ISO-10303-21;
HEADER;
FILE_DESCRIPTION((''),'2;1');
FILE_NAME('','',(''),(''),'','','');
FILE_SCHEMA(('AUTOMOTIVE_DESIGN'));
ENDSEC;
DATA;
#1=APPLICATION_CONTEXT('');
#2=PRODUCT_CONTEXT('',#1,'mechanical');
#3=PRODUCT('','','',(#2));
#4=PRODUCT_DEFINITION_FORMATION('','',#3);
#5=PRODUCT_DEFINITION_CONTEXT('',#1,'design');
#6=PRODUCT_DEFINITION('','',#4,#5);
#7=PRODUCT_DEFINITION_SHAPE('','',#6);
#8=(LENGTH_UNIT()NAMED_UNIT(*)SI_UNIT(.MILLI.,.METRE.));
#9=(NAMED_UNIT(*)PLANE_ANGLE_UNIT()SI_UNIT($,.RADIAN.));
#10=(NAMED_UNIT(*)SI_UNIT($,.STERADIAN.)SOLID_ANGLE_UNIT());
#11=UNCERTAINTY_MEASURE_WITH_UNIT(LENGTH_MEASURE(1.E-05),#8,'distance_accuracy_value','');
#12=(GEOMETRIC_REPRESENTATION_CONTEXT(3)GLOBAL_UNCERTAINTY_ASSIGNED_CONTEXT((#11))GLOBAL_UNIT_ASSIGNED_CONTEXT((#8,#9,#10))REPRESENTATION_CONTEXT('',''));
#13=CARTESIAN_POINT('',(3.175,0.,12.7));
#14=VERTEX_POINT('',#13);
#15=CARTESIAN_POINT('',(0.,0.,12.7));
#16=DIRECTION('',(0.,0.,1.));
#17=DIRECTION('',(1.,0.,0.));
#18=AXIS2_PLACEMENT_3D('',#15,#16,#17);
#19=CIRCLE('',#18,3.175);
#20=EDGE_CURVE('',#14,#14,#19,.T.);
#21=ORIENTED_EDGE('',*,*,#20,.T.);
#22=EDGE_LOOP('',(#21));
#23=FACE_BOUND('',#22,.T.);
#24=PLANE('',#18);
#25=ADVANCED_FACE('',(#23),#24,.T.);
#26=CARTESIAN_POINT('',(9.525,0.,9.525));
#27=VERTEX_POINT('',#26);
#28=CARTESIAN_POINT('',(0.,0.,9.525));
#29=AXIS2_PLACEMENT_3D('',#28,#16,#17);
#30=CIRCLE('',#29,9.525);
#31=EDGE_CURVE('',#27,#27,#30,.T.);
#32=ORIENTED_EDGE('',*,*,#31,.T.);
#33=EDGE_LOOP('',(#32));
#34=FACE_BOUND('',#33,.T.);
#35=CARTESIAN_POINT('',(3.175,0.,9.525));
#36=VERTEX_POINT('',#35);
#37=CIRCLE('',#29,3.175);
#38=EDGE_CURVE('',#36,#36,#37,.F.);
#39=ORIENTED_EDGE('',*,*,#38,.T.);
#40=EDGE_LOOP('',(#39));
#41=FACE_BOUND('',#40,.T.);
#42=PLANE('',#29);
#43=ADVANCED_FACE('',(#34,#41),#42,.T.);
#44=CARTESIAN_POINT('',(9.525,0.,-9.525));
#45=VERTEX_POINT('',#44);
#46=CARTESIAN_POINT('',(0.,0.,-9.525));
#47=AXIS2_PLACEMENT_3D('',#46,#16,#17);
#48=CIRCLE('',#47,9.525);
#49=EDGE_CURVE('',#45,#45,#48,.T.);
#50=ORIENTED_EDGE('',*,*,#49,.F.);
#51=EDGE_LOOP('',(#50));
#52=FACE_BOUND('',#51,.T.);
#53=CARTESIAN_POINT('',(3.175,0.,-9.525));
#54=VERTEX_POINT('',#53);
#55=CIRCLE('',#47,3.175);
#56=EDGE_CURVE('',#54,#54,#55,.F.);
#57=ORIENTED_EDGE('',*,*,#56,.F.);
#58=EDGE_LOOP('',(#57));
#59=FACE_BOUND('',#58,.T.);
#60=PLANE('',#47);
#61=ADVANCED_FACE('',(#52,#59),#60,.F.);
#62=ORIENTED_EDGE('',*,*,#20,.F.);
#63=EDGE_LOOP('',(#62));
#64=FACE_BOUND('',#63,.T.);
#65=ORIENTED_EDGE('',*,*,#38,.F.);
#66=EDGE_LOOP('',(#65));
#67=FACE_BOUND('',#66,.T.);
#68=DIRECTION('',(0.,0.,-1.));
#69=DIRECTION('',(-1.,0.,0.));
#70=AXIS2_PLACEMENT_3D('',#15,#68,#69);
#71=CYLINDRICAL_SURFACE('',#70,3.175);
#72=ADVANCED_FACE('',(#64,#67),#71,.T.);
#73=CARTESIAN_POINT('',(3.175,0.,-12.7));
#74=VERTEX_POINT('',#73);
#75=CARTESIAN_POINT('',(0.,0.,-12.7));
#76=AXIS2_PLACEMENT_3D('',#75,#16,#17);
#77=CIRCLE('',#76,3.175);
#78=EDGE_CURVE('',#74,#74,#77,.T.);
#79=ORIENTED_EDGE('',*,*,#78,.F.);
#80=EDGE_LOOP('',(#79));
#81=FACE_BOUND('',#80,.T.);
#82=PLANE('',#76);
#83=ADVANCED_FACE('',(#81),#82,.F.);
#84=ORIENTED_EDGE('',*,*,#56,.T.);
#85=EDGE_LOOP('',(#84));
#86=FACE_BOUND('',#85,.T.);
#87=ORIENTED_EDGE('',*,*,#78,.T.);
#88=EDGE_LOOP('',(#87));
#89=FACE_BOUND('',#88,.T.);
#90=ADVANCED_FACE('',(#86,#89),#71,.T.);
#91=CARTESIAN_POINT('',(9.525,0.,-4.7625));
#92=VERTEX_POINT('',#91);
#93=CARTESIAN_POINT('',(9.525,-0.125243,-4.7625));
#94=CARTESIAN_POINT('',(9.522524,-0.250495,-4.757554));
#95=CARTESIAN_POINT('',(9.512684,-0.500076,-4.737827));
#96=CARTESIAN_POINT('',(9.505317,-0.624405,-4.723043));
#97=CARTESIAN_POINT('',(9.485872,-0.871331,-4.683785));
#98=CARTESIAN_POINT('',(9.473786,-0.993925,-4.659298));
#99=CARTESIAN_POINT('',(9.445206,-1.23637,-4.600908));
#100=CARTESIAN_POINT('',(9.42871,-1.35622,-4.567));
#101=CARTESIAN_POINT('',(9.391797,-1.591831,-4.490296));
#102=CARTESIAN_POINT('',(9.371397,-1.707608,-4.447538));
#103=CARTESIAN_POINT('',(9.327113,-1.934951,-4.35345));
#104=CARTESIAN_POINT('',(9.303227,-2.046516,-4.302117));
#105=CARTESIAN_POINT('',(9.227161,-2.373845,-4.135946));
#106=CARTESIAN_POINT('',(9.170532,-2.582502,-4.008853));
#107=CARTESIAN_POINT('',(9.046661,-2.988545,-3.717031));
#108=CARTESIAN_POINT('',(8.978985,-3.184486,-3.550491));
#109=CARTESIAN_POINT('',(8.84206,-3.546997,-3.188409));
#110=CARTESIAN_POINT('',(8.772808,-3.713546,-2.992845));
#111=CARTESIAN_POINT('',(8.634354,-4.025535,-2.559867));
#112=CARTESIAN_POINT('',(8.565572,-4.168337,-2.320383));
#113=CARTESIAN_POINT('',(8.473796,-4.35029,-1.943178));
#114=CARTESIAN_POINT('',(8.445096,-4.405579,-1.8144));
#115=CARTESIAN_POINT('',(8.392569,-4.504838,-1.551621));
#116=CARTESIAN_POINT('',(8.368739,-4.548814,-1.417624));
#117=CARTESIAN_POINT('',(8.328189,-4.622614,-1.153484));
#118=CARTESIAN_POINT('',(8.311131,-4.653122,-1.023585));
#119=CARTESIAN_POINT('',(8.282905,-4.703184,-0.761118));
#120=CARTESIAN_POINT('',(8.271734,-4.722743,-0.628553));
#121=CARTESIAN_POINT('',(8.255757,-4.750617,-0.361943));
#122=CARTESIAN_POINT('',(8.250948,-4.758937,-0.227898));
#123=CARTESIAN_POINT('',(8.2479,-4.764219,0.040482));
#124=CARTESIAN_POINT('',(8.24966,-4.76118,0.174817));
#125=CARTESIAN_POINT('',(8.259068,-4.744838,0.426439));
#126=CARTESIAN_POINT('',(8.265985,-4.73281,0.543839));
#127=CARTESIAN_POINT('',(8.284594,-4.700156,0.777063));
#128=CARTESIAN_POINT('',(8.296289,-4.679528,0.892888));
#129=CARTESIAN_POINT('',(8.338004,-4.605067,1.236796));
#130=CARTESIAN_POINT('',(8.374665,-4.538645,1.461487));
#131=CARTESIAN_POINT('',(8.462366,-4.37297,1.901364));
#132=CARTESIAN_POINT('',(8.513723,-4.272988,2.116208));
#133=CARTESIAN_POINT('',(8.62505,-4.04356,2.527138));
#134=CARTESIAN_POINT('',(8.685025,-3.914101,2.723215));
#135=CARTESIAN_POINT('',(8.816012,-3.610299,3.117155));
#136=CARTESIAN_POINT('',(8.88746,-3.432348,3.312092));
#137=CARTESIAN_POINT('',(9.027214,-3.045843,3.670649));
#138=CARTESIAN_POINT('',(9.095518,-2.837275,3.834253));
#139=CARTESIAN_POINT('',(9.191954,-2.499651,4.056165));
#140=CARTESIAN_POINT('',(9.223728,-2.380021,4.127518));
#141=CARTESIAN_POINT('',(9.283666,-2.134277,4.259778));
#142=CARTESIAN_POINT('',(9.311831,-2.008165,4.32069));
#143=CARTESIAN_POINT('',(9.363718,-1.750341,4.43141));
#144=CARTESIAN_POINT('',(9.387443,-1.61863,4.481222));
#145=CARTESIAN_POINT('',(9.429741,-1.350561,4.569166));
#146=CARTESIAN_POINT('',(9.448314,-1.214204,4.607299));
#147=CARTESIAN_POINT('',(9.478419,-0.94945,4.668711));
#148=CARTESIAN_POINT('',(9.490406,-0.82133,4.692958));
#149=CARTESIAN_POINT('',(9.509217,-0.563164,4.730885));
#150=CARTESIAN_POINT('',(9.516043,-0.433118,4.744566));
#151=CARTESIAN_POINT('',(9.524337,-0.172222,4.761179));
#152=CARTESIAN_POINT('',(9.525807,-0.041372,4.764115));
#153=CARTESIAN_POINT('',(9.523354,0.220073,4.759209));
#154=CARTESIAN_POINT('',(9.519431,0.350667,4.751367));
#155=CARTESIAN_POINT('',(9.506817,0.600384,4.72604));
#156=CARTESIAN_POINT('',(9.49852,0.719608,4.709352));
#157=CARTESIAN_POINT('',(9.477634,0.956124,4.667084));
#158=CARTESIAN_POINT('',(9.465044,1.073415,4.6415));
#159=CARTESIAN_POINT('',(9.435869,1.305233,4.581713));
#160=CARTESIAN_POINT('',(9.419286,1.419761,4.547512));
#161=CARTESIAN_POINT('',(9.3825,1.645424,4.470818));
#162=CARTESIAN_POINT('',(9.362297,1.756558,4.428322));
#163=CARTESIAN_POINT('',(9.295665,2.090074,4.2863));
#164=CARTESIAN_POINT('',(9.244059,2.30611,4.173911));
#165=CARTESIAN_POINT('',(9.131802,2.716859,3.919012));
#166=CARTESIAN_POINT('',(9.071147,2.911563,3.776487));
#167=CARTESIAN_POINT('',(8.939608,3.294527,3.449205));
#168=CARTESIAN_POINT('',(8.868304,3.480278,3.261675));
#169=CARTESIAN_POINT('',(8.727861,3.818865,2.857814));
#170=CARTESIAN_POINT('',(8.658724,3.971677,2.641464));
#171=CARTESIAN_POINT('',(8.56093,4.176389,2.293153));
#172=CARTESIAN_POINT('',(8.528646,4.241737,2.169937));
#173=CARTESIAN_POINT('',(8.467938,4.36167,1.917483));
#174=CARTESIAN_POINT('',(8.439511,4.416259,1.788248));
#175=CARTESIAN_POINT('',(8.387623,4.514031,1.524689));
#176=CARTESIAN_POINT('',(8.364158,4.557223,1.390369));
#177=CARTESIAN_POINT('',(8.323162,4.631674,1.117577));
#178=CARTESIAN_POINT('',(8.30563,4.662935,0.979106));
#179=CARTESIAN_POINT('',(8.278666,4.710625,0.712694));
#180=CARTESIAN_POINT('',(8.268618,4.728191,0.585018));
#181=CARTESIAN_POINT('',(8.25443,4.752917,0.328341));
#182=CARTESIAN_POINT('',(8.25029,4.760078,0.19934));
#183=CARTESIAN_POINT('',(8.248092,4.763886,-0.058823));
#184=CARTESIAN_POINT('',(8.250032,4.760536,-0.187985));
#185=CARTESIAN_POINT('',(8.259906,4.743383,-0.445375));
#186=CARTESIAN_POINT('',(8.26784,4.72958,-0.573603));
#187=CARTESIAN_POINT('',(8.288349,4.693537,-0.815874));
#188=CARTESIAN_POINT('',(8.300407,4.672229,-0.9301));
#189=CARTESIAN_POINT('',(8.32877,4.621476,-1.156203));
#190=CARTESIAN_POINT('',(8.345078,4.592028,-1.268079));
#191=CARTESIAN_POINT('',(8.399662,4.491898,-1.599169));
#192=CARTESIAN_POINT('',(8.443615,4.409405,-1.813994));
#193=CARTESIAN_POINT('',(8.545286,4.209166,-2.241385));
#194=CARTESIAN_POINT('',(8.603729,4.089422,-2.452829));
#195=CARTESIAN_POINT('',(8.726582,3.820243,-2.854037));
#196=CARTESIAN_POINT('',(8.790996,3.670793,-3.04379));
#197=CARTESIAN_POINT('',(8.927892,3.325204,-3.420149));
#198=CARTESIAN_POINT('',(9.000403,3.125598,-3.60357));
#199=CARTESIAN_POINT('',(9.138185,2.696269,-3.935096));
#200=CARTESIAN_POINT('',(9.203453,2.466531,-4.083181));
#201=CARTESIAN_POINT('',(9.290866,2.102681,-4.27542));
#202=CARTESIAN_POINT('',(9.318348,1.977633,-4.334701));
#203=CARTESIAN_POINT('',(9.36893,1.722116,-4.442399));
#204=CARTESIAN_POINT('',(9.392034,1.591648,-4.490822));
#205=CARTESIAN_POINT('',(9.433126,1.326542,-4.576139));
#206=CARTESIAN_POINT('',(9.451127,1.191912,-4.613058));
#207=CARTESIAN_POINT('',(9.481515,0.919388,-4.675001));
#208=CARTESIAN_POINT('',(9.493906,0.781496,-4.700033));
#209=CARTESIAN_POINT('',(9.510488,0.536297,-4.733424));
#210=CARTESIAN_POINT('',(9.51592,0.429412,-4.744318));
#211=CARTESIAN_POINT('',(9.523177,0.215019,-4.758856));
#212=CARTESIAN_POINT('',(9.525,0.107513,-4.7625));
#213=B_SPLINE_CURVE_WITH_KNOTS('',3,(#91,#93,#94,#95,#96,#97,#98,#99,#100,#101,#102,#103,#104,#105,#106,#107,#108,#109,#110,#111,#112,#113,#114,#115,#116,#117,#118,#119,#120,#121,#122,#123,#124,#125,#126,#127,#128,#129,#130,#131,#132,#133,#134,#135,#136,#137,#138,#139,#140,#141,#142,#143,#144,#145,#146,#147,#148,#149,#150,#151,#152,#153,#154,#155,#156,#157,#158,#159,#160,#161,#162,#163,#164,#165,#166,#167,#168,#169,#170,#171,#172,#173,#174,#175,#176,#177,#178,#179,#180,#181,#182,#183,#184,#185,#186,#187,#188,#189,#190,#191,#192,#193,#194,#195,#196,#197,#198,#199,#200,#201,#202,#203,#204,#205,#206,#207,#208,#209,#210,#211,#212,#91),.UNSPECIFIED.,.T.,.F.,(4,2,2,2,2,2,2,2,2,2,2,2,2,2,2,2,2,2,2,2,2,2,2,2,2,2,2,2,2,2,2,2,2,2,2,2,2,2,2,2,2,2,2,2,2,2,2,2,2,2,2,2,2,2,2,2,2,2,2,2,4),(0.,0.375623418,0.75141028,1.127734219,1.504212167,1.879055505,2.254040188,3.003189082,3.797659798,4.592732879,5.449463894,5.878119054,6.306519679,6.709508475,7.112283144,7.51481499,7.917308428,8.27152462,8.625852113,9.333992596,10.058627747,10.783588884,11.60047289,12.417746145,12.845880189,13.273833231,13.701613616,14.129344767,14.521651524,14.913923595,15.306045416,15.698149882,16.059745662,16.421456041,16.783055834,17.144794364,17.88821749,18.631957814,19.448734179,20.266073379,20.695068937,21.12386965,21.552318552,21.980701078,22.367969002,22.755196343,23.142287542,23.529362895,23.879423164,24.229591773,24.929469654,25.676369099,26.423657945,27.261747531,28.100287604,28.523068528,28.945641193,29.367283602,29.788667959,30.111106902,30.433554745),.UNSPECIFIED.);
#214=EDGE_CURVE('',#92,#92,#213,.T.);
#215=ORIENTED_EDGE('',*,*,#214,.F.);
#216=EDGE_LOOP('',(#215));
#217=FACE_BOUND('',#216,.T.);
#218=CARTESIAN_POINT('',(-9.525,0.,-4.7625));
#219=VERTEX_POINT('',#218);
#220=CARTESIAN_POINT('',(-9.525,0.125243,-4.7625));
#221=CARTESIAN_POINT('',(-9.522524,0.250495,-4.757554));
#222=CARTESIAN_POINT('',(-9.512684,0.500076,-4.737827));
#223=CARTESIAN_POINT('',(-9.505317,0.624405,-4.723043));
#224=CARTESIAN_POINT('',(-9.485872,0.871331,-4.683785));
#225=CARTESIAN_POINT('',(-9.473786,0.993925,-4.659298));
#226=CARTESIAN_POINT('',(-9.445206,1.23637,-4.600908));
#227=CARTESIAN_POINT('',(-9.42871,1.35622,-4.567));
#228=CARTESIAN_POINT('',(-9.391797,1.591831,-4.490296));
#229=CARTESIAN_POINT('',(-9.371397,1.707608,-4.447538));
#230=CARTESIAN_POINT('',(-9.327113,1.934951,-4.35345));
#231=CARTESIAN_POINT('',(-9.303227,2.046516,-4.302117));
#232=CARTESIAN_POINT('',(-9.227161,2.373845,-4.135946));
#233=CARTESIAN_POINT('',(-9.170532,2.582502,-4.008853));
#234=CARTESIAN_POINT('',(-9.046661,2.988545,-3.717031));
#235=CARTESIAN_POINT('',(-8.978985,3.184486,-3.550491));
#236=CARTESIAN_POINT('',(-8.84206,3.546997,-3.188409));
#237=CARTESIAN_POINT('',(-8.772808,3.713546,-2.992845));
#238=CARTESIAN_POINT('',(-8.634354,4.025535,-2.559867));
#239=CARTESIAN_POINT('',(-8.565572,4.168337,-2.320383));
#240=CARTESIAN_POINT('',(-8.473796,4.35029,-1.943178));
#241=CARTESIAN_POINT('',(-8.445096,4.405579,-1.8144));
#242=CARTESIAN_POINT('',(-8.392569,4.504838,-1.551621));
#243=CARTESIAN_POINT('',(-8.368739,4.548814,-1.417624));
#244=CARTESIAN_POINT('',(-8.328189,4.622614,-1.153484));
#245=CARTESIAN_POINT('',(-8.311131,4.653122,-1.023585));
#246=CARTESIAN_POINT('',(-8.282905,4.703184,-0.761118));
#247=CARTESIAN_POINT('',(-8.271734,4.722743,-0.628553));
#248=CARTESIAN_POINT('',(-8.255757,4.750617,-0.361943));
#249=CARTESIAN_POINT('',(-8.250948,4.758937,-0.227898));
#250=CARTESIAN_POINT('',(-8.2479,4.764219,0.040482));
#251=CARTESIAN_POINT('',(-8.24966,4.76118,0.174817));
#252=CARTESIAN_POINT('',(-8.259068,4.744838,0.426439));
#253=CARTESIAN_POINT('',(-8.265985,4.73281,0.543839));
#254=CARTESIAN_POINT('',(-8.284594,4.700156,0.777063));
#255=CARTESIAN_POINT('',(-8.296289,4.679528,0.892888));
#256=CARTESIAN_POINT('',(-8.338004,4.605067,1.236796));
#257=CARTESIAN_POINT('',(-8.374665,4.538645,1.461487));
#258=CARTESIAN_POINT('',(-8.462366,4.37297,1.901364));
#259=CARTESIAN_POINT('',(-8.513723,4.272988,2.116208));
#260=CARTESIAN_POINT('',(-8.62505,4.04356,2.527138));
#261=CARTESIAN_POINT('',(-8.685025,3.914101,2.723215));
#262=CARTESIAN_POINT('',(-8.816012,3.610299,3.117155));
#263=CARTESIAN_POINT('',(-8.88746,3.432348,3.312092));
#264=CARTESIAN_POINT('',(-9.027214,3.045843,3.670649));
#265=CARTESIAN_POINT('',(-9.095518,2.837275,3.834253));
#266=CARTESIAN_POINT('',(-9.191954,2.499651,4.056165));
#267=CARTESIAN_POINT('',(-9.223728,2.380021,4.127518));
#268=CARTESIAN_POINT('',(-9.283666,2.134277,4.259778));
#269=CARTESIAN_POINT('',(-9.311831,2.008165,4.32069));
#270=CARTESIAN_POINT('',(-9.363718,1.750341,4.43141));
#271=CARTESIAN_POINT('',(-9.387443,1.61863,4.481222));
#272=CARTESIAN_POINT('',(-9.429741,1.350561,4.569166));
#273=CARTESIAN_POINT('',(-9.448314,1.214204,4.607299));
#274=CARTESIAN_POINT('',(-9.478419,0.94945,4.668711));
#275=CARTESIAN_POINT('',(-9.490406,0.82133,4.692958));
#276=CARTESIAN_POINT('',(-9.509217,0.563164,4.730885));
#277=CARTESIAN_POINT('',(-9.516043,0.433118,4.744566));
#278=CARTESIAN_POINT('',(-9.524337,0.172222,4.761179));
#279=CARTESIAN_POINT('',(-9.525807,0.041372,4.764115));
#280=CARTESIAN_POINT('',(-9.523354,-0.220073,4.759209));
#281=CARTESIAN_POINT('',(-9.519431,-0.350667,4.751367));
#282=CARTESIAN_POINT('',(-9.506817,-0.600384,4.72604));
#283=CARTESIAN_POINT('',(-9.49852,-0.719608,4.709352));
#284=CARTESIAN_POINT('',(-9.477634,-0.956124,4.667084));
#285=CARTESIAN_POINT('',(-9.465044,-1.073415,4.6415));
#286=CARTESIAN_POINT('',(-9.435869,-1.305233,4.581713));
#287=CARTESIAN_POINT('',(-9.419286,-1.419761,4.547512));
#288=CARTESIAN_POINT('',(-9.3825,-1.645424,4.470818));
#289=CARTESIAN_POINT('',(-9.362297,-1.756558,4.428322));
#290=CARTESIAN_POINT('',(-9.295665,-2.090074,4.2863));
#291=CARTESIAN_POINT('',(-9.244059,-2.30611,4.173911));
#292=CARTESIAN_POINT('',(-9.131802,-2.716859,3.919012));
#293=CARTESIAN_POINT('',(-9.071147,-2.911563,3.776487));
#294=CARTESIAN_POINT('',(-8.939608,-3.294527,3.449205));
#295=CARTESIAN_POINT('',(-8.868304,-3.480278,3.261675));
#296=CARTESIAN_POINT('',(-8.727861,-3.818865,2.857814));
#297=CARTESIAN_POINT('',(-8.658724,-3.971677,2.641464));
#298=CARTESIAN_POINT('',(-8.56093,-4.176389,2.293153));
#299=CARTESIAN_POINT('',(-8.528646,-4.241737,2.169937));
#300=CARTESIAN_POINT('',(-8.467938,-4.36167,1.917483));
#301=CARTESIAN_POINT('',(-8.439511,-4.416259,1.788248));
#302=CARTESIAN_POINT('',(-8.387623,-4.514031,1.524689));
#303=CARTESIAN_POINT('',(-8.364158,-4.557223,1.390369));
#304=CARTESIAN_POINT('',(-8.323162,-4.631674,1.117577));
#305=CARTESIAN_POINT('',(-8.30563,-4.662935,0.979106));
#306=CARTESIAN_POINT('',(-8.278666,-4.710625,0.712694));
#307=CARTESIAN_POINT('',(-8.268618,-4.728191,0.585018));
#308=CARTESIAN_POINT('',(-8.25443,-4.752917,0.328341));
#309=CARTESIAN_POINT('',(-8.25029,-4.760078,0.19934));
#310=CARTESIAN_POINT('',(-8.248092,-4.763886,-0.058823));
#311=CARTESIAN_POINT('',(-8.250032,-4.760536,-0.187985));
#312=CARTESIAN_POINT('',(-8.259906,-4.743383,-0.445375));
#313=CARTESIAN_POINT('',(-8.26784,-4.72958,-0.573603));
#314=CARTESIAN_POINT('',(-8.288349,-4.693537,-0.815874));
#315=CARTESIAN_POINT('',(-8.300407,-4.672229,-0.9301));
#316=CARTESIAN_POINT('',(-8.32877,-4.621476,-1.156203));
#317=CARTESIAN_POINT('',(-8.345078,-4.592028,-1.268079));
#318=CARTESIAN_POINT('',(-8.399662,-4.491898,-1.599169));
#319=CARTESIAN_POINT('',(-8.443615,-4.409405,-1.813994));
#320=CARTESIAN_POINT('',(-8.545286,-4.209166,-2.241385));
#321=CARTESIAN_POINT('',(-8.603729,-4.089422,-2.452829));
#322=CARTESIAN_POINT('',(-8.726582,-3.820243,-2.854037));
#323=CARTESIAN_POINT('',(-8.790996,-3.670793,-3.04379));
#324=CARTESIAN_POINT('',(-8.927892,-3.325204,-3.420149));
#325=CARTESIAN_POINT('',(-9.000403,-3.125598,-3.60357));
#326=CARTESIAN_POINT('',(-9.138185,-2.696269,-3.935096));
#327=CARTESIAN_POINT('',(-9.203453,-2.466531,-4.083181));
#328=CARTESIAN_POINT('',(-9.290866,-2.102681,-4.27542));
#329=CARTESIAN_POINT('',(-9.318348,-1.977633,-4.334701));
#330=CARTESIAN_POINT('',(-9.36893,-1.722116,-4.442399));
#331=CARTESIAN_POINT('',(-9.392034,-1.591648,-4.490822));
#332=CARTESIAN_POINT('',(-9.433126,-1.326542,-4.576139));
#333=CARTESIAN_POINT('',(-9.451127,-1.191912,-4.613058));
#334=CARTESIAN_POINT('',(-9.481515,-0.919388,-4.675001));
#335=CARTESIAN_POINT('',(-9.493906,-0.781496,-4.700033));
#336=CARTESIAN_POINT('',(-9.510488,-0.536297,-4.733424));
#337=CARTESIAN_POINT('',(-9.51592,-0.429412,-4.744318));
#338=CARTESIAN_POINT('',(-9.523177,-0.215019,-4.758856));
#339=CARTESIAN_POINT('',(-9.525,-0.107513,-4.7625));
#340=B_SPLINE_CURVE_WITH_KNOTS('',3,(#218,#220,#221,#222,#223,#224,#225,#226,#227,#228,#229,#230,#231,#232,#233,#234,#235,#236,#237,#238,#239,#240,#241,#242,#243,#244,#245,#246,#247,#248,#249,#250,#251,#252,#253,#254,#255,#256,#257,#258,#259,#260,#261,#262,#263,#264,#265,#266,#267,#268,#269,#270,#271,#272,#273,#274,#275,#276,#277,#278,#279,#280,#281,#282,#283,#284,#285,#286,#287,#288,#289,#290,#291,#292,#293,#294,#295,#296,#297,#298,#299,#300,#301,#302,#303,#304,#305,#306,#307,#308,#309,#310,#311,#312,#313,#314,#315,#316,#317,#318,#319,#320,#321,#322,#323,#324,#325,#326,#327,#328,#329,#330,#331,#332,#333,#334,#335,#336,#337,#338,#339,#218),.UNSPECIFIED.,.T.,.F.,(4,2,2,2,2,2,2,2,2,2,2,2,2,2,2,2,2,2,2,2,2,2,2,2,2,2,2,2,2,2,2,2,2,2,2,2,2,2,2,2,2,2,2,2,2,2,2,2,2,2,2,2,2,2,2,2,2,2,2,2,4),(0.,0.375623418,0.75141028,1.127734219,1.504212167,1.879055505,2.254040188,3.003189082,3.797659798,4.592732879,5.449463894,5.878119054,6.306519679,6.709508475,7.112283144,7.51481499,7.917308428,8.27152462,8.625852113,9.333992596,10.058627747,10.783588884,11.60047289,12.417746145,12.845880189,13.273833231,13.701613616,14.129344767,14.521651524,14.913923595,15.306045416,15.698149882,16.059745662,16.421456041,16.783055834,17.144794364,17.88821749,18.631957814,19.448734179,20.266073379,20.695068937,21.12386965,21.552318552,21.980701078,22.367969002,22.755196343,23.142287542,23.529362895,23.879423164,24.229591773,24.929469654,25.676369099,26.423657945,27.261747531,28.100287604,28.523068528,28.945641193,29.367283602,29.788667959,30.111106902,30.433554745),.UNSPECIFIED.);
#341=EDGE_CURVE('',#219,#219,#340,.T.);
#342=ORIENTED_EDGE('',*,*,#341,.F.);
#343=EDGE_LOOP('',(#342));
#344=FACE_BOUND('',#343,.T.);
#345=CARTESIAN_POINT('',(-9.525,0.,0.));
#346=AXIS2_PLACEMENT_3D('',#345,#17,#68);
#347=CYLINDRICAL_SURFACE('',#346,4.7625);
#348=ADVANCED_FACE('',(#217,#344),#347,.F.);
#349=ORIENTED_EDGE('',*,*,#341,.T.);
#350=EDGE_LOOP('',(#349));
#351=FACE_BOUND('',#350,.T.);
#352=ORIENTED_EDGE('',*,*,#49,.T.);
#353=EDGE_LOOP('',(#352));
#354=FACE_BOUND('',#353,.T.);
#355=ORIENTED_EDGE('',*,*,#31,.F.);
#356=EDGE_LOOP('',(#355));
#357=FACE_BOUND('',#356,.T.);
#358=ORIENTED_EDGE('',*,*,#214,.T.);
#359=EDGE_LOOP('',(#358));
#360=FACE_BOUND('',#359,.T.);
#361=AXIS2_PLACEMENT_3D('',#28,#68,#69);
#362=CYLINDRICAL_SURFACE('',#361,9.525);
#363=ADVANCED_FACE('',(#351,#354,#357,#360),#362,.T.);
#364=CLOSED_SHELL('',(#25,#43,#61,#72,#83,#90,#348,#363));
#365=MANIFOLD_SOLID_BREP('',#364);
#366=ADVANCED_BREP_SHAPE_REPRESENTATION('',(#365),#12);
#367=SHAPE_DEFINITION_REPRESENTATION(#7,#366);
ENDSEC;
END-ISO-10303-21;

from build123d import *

# Parameters (mm, degrees)
SKETCH1_R               = 9.525
BOSS_EXTRUDE1_DEPTH     = 9.525
SKETCH2_R               = 3.175
BOSS_EXTRUDE2_DEPTH     = 12.7
SKETCH3_R               = 4.7625
CUT_EXTRUDE1_DEPTH      = 10.525
CUT_EXTRUDE1_DEPTH_BACK = 10.525


with BuildPart() as part:
    # Sketch1 → Boss-Extrude1 (new body, symmetric)
    with BuildSketch(Plane.XY):
        Circle(SKETCH1_R)
    extrude(amount=BOSS_EXTRUDE1_DEPTH, both=True)

    # Sketch2 → Boss-Extrude2 (add, symmetric)
    with BuildSketch(Plane.XY):
        Circle(SKETCH2_R)
    extrude(amount=BOSS_EXTRUDE2_DEPTH, both=True)

    # Sketch3 → Cut-Extrude1 (cut, two sides)
    with BuildSketch(Plane(origin=(0, 0, 0), x_dir=(0, 0, -1), z_dir=(1, 0, 0))) as cut_extrude1_sk:
        Circle(SKETCH3_R)
    extrude(amount=CUT_EXTRUDE1_DEPTH, mode=Mode.SUBTRACT)
    extrude(cut_extrude1_sk.sketch, amount=-CUT_EXTRUDE1_DEPTH_BACK, mode=Mode.SUBTRACT)


solid = part.part
